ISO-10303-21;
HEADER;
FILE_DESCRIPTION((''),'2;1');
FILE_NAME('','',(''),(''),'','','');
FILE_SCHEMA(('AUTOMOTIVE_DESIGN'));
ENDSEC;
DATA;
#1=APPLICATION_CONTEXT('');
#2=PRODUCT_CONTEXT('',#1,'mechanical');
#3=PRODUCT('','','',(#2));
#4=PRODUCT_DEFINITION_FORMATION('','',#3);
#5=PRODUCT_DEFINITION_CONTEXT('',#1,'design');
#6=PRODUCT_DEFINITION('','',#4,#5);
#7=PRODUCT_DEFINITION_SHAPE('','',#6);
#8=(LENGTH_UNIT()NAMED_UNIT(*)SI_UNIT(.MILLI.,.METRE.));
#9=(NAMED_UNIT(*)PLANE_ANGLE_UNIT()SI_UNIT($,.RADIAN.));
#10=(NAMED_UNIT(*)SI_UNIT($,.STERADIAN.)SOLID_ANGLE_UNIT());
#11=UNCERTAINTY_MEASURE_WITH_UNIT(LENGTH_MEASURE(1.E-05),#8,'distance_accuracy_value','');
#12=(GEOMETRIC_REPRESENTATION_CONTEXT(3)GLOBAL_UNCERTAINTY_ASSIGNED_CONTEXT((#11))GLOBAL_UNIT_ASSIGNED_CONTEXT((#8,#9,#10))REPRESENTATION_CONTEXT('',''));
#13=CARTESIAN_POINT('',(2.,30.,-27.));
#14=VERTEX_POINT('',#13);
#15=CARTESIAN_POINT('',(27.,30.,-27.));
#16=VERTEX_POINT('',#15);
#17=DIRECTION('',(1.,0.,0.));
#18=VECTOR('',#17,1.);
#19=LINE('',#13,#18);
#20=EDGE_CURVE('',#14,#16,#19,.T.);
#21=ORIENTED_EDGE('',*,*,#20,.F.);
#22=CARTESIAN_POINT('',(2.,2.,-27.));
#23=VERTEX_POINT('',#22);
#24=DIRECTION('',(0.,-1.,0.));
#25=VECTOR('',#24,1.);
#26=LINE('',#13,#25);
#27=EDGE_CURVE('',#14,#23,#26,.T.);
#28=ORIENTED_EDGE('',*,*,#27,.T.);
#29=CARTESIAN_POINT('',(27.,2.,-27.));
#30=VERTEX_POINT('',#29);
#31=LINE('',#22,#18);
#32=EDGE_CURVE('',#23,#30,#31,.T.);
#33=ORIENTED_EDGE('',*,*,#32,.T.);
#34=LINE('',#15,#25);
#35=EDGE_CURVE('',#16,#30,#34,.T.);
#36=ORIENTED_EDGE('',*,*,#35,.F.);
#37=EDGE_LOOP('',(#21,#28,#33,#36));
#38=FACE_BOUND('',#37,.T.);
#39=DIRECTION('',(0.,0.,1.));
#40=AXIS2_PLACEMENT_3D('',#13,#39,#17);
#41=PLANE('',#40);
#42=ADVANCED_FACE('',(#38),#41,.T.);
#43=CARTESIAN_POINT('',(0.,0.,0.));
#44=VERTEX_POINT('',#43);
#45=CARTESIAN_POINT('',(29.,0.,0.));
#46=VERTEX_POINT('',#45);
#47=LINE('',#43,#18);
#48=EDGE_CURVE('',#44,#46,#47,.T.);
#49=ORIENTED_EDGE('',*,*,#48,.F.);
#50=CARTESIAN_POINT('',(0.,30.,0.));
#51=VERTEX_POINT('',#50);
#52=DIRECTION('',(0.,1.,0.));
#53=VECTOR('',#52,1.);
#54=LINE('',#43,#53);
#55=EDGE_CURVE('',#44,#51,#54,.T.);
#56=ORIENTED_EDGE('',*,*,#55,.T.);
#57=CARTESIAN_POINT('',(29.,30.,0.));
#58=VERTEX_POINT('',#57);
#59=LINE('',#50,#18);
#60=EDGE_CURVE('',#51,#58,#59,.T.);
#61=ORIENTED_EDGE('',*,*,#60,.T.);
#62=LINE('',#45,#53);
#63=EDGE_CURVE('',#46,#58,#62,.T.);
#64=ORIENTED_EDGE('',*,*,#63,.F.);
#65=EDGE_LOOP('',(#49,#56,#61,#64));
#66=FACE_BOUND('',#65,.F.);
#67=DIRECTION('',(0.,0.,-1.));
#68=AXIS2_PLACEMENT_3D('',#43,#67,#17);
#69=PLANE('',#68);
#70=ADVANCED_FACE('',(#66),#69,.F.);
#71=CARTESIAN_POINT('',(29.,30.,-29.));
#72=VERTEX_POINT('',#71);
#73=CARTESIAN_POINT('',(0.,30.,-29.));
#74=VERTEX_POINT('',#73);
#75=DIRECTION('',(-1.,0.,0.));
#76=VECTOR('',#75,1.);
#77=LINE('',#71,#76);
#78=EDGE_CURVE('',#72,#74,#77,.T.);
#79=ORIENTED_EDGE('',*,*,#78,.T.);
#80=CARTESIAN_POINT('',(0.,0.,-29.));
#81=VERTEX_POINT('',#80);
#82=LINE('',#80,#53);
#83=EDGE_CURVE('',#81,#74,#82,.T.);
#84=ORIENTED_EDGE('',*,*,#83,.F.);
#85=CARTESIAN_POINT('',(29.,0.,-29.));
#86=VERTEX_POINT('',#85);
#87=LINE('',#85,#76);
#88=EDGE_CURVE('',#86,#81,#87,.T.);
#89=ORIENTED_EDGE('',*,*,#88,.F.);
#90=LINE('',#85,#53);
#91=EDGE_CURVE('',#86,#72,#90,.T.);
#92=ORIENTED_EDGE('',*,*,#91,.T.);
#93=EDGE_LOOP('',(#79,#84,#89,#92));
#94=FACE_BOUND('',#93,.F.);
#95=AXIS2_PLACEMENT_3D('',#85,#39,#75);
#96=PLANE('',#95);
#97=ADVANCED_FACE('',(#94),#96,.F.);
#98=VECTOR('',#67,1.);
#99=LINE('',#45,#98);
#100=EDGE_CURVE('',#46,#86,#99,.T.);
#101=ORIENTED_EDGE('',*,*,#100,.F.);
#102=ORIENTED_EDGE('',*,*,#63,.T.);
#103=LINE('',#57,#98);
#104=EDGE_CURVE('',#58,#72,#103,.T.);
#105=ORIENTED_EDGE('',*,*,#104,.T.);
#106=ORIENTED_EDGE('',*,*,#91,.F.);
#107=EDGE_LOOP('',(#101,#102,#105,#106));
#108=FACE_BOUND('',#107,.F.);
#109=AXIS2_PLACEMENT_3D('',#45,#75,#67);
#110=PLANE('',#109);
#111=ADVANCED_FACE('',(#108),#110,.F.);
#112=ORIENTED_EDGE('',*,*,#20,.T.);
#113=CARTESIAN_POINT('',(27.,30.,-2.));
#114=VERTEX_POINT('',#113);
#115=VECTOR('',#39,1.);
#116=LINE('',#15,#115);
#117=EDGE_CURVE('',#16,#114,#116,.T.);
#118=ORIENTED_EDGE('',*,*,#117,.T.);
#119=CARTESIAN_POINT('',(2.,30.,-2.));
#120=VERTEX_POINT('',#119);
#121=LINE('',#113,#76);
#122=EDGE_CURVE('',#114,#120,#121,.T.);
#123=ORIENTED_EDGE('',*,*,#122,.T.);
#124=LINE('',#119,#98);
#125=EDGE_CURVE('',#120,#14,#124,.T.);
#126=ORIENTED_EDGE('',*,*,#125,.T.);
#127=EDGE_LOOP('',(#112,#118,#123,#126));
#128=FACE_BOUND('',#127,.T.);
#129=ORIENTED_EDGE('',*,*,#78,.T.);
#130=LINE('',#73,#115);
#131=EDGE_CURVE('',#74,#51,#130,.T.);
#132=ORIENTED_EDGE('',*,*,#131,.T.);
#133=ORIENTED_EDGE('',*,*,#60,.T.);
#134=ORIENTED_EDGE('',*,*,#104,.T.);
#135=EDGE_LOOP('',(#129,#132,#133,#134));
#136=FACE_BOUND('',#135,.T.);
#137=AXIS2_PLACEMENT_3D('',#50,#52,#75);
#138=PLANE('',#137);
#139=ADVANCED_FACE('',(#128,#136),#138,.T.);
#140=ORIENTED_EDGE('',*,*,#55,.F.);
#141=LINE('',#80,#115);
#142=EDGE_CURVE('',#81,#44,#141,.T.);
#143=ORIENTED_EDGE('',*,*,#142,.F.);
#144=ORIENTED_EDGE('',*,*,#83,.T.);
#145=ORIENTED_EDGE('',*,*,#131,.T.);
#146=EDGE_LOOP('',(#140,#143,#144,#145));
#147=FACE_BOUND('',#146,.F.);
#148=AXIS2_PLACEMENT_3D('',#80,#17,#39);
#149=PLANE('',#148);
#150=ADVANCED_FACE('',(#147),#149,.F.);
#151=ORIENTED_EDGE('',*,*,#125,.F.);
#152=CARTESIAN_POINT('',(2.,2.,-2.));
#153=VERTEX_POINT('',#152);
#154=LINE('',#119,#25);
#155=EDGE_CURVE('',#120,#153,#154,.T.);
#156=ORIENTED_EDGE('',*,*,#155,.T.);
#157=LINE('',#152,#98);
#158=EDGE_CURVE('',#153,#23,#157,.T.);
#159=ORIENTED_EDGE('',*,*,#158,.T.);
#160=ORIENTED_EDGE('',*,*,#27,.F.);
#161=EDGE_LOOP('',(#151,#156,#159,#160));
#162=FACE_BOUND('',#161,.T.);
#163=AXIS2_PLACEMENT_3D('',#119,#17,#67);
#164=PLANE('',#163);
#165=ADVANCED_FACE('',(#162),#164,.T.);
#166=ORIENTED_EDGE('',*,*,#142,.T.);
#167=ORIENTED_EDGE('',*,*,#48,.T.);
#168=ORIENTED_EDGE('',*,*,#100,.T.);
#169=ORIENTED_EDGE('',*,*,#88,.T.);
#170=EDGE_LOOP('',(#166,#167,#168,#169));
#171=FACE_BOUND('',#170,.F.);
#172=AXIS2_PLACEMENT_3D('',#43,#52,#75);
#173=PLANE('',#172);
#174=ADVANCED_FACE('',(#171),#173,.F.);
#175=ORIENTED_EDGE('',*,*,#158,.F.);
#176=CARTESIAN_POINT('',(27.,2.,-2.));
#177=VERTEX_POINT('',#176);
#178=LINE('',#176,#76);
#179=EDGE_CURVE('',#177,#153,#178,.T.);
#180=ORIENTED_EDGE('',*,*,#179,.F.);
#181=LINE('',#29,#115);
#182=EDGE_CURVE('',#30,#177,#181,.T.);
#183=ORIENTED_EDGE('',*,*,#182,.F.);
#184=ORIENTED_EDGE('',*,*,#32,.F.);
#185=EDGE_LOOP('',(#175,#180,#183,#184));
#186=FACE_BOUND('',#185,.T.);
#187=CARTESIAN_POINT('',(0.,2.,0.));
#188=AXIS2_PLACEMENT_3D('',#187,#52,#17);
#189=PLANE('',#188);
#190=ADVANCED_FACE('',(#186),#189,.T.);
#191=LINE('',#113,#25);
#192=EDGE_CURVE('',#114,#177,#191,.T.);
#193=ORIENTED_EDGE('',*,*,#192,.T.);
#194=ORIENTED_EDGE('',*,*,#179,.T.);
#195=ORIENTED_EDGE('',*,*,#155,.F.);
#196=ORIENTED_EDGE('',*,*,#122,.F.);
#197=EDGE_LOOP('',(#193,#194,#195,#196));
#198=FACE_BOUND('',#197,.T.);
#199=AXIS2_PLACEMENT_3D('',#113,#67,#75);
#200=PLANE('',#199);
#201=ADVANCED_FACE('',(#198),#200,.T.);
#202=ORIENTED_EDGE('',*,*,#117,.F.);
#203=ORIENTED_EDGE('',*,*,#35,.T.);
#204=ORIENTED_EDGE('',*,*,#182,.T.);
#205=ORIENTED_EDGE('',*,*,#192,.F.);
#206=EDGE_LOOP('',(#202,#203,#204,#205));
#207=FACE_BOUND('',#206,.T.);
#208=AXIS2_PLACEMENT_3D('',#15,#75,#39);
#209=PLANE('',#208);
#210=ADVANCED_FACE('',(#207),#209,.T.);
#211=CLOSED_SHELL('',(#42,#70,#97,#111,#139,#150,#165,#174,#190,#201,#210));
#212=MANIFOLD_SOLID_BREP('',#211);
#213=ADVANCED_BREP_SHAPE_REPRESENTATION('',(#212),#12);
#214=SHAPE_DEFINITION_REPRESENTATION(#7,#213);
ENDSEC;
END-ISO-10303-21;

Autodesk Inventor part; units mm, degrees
ref_plane "YZ Plane" through (0, 0, 0) normal (1, 0, 0) x (0, 1, 0)
ref_plane "XZ Plane" through (0, 0, 0) normal (0, 1, 0) x (-1, 0, 0)
ref_plane "XY Plane" through (0, 0, 0) normal (0, 0, 1) x (1, 0, 0)
sketch "Sketch7" plane through (0, 0, 0) normal (0, 1, 0) x (-1, 0, 0)
  point P0 (0, 0)
sketch "Sketch8" plane through (0, 0, 0) normal (0, 1, 0) x (-1, 0, 0)
  line L0 (0, 0) -> (-29, 0)
  line L1 (-29, 0) -> (-29, -29)
  line L2 (-29, -29) -> (0, -29)
  line L3 (0, -29) -> (0, 0)
  line L4 (-2, -27) -> (-27, -27)
  line L5 (-27, -27) -> (-27, -2)
  line L6 (-27, -2) -> (-2, -2)
  line L7 (-2, -2) -> (-2, -27)
  dimension "d25" = 29
  dimension "d26" = 29
  dimension "d38" = 2
extrude "Extrusion5" add sketch "Sketch8" along normal blind 30 contours L3 L2 L1 L0 | L4 L5 L6 L7
sketch "Sketch11" plane through (0, 30, 0) normal (0, 1, 0) x (1, 0, 0)
  line L0 (0, 0) -> (29, 0) projected
  line L1 (29, 0) -> (29, 29) projected
  line L2 (29, 29) -> (0, 29) projected
  line L3 (0, 29) -> (0, 0) projected
  line L4 (2, 27) -> (27, 27)
  line L5 (27, 27) -> (27, 2)
  line L6 (27, 2) -> (2, 2)
  line L7 (2, 2) -> (2, 27)
  dimension "d39" = 2
extrude "Extrusion8" cut sketch "Sketch11" against normal blind 28 contours L4 L5 L6 L7
equation "\"BendRadius\" = Thickness"
equation "\"BendReliefWidth\" = Thickness"
equation "\"BendReliefDepth\" = 0.5 * Thickness"
equation "\"CornerReliefSize\" = 4 * Thickness"
equation "\"MinimumRemnant\" = 2 * Thickness"
equation "\"TransitionRadius\" = BendRadius"
equation "\"JacobiRadiusSize\" = Thickness"
equation "\"GapSize\" = Thickness"
equation "\"Thickness\" = 0.5"
properties part number "waterBallonHolderv2"
